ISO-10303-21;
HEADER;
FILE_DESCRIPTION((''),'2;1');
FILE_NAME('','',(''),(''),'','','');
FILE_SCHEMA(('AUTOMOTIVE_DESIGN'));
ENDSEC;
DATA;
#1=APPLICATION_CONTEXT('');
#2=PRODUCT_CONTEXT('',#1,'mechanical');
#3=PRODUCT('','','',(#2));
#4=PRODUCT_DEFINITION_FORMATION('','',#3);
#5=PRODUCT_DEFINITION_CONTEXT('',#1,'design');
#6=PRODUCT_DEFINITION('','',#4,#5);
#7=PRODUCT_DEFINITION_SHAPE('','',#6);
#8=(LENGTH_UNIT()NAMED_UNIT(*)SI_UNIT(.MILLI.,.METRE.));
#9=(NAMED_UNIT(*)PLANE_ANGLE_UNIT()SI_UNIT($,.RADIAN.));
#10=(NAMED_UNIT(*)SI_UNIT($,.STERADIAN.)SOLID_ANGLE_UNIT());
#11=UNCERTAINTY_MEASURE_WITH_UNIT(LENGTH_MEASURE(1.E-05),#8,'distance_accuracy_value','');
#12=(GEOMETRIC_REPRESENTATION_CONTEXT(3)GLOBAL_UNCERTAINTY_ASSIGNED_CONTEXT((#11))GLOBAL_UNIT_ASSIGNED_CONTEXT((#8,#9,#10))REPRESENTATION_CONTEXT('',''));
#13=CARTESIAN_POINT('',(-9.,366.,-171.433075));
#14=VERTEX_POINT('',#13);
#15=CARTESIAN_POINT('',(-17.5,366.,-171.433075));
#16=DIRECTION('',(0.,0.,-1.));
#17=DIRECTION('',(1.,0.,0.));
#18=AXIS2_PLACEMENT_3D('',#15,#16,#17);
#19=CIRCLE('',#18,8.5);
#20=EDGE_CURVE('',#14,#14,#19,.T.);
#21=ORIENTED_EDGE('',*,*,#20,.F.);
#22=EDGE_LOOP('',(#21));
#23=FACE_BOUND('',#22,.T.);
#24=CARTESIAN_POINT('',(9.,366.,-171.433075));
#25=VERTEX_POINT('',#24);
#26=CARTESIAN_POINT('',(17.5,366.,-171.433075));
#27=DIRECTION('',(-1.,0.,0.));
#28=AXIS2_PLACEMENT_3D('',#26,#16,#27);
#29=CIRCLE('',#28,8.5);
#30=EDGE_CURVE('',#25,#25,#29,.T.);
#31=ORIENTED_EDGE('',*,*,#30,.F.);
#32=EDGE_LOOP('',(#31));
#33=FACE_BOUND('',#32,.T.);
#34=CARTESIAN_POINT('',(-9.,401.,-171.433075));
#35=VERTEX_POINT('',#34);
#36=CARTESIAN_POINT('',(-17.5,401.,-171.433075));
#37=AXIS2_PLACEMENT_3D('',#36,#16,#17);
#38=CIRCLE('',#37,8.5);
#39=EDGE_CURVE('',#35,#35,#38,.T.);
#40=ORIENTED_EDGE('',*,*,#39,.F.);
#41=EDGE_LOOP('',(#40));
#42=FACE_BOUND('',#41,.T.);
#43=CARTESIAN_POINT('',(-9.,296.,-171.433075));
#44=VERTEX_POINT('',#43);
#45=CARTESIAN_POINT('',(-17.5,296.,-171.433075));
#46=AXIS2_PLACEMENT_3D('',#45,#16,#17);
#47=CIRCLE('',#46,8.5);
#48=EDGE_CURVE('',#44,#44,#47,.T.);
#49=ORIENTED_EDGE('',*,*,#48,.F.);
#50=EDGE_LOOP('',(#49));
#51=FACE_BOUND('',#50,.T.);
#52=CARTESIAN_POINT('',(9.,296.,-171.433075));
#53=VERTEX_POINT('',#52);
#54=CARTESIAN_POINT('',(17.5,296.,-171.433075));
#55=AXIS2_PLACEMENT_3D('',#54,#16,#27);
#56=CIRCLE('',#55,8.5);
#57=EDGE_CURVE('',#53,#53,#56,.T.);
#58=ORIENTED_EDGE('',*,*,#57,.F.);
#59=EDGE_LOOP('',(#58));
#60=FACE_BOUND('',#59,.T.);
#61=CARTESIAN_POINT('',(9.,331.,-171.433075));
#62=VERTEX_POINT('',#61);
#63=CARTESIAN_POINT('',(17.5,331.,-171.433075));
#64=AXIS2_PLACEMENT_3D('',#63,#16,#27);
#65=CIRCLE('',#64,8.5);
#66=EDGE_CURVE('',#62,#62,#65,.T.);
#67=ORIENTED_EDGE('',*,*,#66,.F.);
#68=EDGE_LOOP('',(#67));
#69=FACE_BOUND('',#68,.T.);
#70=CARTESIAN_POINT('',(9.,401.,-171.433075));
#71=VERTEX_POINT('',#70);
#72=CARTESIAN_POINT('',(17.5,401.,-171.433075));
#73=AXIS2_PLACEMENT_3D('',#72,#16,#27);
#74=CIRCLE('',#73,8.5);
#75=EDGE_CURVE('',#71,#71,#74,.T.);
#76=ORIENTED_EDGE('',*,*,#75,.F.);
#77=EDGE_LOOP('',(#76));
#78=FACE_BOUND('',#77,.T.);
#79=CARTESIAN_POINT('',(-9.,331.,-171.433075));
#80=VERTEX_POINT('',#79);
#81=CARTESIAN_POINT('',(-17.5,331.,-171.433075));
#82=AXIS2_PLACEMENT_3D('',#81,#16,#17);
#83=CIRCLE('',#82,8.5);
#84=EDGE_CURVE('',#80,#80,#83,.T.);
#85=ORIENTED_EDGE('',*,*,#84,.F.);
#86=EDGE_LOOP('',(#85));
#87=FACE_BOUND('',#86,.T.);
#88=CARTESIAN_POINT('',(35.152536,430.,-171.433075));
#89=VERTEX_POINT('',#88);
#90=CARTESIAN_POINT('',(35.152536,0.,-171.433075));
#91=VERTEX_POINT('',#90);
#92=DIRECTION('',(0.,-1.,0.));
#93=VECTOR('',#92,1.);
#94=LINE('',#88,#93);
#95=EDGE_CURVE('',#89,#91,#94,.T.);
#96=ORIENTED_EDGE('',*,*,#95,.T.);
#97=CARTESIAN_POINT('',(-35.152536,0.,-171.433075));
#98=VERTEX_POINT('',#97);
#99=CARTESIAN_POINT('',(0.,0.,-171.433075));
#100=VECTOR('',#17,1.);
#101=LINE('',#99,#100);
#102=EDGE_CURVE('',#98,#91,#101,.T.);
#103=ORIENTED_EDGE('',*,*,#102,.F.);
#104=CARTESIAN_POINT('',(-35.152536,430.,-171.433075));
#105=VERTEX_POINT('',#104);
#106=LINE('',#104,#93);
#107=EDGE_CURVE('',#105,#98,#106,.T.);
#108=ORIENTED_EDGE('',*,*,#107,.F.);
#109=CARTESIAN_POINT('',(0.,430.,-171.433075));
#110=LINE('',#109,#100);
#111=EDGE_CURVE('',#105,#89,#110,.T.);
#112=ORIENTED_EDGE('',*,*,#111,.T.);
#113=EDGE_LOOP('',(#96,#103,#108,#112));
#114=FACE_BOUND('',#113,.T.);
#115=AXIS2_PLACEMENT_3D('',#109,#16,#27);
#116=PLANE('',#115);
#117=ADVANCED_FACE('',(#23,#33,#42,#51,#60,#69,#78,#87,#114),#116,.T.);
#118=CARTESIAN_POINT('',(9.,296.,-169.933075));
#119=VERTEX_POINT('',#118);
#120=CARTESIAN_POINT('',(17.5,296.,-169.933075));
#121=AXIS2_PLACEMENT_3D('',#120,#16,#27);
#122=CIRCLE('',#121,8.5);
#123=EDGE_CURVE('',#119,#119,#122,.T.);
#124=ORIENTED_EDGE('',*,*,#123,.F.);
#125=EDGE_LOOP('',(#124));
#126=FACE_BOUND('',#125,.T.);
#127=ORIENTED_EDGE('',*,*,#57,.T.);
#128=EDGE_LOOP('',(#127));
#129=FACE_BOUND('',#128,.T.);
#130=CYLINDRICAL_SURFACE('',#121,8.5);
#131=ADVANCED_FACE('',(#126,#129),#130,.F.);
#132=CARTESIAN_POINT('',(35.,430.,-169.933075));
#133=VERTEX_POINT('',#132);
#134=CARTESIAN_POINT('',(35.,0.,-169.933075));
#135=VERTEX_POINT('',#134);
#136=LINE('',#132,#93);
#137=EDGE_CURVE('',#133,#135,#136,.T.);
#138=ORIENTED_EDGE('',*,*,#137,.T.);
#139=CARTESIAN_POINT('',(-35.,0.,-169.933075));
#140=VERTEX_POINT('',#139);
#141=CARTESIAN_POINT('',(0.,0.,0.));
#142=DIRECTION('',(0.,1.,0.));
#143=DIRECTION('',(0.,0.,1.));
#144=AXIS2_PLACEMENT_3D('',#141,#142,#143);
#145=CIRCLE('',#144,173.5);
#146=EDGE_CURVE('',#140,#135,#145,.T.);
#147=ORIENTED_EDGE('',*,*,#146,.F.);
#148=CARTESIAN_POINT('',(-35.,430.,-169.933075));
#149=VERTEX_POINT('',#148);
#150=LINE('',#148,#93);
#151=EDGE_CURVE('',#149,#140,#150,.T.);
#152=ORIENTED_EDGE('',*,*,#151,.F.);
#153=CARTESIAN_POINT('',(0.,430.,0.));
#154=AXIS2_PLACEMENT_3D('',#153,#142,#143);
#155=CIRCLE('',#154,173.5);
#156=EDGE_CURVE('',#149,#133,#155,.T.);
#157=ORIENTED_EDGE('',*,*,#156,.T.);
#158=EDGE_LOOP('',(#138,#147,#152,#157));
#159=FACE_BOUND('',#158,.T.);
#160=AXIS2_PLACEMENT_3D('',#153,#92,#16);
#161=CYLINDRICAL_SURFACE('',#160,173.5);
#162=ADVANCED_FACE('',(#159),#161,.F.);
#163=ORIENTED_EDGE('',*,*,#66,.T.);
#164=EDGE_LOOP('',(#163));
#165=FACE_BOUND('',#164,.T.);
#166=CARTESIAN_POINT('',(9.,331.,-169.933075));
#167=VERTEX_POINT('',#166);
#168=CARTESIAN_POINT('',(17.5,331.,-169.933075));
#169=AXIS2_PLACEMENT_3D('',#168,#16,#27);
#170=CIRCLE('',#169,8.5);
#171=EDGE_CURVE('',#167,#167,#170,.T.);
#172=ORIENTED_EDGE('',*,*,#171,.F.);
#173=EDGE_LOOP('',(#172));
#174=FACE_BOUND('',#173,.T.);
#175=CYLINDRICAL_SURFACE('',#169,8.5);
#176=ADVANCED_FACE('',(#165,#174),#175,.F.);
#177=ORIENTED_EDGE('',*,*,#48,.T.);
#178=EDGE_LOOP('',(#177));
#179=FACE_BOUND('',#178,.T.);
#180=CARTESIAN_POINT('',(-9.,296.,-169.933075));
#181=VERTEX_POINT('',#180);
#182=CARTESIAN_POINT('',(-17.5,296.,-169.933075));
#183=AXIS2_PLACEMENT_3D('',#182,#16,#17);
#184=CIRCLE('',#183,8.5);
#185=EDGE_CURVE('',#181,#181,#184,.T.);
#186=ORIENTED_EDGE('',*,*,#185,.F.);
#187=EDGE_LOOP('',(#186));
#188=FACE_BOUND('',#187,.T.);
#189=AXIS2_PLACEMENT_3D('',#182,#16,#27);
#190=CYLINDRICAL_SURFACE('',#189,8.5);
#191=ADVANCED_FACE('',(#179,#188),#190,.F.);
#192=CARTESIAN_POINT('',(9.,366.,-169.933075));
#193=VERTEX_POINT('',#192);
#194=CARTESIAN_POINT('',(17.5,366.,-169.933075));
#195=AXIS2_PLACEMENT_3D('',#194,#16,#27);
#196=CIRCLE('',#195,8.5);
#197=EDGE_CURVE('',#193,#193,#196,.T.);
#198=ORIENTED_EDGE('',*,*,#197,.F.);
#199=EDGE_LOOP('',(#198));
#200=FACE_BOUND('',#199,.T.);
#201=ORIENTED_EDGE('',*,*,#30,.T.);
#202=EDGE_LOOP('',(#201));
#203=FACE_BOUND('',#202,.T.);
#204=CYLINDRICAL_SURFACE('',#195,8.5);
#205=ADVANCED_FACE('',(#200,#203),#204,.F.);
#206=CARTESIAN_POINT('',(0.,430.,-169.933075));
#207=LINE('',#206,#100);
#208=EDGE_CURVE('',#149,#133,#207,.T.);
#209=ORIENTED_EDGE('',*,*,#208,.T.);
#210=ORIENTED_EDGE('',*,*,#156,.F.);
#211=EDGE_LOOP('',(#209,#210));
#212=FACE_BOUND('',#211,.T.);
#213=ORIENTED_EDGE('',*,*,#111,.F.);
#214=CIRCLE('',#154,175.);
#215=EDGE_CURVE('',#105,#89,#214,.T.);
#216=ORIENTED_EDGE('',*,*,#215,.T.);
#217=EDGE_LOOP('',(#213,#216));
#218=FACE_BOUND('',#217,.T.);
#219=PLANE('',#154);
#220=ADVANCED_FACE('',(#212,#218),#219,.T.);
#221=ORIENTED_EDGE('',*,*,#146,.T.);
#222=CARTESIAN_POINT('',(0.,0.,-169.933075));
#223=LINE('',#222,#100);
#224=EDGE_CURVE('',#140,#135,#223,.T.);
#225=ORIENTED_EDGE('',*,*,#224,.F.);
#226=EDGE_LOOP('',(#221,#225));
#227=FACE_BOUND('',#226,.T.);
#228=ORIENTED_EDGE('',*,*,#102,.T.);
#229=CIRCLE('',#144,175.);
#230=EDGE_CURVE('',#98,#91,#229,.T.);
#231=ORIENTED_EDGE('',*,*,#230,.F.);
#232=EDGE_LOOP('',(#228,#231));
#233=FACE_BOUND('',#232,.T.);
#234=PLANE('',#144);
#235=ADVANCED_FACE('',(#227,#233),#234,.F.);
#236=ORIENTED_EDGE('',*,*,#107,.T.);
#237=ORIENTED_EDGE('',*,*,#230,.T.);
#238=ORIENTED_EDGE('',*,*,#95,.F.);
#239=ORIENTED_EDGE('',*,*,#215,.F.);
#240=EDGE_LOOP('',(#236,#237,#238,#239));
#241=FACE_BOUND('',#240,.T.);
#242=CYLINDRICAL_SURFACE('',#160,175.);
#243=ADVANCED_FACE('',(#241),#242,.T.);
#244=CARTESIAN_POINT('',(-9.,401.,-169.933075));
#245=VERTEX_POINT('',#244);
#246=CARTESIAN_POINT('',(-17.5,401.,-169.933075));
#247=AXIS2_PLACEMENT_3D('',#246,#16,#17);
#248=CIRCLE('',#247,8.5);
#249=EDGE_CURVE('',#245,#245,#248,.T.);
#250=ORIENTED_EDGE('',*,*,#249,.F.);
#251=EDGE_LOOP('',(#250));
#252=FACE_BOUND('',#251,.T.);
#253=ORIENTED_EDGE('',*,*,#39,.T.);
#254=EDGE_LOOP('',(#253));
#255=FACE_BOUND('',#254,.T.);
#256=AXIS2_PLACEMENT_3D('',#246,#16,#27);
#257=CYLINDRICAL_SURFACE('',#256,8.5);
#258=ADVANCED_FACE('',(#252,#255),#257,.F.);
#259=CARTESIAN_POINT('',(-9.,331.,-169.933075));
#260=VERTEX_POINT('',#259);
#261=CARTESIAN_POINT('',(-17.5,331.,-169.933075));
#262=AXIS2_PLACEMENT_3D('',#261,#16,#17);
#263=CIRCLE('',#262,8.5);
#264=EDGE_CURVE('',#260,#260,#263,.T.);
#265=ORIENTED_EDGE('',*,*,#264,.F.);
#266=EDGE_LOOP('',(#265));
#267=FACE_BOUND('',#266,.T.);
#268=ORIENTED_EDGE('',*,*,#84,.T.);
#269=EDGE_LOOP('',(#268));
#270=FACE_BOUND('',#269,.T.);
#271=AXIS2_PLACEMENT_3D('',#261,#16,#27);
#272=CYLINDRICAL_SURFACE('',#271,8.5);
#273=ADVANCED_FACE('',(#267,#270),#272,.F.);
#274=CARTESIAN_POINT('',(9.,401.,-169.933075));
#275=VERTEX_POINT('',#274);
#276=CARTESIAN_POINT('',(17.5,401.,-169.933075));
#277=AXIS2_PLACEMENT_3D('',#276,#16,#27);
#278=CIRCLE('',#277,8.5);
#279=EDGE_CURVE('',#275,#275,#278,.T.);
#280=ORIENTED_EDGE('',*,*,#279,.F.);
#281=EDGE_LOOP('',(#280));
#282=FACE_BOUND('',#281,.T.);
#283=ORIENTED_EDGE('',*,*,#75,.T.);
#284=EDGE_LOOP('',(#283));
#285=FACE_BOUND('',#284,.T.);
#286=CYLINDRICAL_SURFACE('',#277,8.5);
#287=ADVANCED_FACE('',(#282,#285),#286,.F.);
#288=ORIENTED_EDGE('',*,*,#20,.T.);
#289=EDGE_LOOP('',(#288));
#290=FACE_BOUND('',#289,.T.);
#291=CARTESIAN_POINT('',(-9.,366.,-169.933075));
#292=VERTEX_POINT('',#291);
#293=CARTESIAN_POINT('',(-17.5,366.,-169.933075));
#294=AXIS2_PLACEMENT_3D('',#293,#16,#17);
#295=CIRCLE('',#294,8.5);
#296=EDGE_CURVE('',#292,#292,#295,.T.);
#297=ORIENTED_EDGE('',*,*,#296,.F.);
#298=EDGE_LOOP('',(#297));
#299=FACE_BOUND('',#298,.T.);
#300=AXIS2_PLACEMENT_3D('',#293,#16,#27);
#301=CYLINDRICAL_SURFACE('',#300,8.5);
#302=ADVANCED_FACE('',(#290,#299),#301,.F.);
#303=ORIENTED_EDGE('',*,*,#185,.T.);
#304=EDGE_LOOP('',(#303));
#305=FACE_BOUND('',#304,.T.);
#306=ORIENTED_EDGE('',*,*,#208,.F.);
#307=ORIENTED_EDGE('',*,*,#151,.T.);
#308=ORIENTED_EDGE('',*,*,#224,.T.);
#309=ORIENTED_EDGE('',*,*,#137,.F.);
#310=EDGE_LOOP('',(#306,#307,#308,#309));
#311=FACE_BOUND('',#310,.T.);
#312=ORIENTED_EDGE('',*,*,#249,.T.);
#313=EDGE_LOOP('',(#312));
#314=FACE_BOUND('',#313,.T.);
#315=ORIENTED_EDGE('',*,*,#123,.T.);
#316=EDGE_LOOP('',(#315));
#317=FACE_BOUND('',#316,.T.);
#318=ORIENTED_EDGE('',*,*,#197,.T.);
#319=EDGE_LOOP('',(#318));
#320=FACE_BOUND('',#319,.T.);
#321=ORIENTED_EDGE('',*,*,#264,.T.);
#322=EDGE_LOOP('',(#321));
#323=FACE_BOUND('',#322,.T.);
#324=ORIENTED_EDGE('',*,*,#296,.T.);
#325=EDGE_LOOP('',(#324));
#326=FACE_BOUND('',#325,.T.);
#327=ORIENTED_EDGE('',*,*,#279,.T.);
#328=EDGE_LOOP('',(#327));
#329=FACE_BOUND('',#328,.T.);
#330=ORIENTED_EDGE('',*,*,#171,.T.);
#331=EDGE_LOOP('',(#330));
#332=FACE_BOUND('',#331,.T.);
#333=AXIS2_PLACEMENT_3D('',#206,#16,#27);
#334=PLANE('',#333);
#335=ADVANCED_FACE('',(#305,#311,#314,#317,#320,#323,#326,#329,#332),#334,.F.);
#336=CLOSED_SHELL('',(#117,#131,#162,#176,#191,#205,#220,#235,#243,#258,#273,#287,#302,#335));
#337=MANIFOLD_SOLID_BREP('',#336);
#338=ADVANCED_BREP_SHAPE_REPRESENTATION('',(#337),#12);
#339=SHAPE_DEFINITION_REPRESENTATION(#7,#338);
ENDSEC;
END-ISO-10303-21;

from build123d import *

# Parameters (mm, degrees)
BOSS_EXTRUDE1_DEPTH = 430
SKETCH4_R           = 8.5
CUT_EXTRUDE2_DEPTH  = 1.5
LPATTERN1_COUNT     = 4
LPATTERN1_PITCH     = 35


with BuildPart() as part:
    # Sketch1 → Boss-Extrude1 (new body)
    with BuildSketch(Plane(origin=(0, 0, 0), x_dir=(1, 0, 0), z_dir=(0, 1, 0))):
        with BuildLine():
            Line((-35.152535823, 171.433075062), (35.152535823, 171.433075062))
            ThreePointArc((35.152535823, 171.433075062), (0, -175), (-35.152535823, 171.433075062))
        make_face()
        with BuildLine():
            ThreePointArc((-35, 169.933075062), (0, -173.5), (35, 169.933075062))
            Line((35, 169.933075062), (-35, 169.933075062))
        make_face(mode=Mode.SUBTRACT)
    extrude(amount=BOSS_EXTRUDE1_DEPTH)

    # Sketch4 → Cut-Extrude2 (cut)
    with BuildSketch(Plane(origin=(0, 0, -171.433075062), x_dir=(-1, 0, 0), z_dir=(0, 0, -1))):
        with Locations((-17.5, 401)):
            Circle(SKETCH4_R)
        with Locations((17.5, 401)):
            Circle(SKETCH4_R)
    cut_extrude2 = extrude(amount=-CUT_EXTRUDE2_DEPTH, mode=Mode.SUBTRACT)

    # LPattern1: Cut-Extrude2 ×4
    with Locations(*[(0, -i * LPATTERN1_PITCH, 0) for i in range(1, LPATTERN1_COUNT)]):
        add(cut_extrude2, mode=Mode.SUBTRACT)


solid = part.part
